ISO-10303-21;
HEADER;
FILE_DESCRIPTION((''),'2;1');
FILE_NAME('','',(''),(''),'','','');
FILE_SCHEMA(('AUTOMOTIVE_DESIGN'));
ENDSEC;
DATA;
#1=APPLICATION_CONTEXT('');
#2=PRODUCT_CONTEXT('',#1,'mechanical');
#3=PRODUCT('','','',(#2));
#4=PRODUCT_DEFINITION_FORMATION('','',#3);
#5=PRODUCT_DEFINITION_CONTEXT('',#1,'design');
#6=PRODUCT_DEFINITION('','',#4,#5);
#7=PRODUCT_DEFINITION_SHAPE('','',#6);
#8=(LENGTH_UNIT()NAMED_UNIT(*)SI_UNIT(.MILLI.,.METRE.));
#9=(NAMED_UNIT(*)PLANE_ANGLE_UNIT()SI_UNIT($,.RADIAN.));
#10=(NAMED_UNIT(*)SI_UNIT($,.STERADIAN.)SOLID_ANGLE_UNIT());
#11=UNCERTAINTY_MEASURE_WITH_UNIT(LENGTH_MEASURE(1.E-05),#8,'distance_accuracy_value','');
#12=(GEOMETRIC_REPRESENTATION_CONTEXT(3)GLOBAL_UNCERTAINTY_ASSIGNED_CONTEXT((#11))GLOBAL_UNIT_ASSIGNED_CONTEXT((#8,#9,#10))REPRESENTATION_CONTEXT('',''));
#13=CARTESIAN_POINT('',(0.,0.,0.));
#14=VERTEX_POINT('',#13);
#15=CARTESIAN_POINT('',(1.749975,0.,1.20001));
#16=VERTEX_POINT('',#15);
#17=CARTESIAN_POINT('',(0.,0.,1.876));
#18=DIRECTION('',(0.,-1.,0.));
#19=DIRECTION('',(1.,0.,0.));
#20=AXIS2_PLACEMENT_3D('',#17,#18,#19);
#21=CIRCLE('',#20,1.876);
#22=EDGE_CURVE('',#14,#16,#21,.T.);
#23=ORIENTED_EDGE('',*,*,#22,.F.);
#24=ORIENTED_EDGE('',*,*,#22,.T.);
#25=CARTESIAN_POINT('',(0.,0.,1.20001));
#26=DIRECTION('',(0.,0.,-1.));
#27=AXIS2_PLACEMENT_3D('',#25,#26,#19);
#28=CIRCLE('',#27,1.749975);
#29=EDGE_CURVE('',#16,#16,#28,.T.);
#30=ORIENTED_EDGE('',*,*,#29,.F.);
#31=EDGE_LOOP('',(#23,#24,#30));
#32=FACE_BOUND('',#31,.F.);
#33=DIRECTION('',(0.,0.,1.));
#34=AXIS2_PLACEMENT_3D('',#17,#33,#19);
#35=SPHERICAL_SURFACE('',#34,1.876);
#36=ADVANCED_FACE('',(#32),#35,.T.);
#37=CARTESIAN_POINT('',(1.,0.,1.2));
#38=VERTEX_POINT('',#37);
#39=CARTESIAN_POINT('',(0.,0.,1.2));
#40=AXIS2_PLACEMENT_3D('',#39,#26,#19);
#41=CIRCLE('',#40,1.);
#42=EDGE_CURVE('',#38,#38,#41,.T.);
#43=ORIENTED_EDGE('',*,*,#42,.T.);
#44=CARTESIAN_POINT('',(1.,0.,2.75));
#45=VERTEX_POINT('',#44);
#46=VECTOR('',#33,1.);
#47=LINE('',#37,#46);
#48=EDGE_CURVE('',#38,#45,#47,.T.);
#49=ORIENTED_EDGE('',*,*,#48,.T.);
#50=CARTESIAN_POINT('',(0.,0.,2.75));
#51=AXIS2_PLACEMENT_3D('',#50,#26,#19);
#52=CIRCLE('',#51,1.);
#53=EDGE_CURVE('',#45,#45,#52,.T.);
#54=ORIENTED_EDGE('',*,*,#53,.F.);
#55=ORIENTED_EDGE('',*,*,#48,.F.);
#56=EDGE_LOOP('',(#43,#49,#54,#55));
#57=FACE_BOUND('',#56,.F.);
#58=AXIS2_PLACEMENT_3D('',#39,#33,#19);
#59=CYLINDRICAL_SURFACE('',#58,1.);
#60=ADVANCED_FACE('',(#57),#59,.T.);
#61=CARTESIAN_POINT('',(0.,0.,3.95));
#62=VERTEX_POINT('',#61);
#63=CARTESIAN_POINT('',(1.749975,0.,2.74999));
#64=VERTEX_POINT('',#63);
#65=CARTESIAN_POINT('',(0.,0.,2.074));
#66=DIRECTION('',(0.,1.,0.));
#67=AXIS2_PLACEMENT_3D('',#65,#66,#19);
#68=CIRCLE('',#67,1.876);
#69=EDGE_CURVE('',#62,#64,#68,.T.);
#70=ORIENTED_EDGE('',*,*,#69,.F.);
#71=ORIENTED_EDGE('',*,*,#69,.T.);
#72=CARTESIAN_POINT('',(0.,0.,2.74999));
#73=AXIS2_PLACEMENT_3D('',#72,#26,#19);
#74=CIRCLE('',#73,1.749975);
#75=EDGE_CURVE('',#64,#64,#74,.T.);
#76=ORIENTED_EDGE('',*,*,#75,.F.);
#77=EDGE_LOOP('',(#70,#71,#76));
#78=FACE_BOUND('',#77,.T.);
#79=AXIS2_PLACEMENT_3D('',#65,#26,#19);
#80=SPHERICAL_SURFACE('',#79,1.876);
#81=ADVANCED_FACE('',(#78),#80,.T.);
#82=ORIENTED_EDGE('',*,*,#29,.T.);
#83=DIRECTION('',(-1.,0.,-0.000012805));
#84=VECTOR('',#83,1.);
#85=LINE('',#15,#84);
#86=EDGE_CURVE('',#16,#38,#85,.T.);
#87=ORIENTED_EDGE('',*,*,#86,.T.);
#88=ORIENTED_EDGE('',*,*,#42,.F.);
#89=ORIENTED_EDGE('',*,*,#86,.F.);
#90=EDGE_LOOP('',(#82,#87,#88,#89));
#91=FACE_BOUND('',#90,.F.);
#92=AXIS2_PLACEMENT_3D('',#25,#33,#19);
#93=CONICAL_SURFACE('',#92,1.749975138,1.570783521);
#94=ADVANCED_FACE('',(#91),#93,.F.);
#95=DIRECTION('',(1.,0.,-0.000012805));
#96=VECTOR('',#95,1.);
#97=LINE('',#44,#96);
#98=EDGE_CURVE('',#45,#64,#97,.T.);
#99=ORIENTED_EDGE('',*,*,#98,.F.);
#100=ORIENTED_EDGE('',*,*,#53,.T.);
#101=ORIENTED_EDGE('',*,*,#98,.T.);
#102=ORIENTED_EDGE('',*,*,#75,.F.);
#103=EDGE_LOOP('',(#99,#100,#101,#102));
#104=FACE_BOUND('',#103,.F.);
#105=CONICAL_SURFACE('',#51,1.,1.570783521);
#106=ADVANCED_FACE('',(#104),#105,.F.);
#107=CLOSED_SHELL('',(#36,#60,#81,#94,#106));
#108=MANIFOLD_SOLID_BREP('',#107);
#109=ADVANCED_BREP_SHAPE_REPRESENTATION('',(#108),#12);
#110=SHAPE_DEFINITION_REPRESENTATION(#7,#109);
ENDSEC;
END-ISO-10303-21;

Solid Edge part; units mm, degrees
sketch "Sketch1" plane through (0, 0, 0) normal (0, -1, 0) x (1, 0, 0)
  line L0 (1.75, 1.2) -> (1, 1.2)
  line L1 (1, 1.2) -> (1, 2.75)
  line L2 (1, 2.75) -> (1.75, 2.75)
  arc A0 (0, 3.95) -> (1.75, 2.75) centre (0, 2.074) cw
  line L3 (0, 3.95) -> (0, 0)
  arc A1 (0, 0) -> (1.75, 1.2) centre (0, 1.876) ccw
revolve "RevolvedProtrusion1" add sketch "Sketch1" angle 360 about axis through (0, 0, 7.6265) along (0, 0, -1)
properties material "Aluminium, 2024-T4"
